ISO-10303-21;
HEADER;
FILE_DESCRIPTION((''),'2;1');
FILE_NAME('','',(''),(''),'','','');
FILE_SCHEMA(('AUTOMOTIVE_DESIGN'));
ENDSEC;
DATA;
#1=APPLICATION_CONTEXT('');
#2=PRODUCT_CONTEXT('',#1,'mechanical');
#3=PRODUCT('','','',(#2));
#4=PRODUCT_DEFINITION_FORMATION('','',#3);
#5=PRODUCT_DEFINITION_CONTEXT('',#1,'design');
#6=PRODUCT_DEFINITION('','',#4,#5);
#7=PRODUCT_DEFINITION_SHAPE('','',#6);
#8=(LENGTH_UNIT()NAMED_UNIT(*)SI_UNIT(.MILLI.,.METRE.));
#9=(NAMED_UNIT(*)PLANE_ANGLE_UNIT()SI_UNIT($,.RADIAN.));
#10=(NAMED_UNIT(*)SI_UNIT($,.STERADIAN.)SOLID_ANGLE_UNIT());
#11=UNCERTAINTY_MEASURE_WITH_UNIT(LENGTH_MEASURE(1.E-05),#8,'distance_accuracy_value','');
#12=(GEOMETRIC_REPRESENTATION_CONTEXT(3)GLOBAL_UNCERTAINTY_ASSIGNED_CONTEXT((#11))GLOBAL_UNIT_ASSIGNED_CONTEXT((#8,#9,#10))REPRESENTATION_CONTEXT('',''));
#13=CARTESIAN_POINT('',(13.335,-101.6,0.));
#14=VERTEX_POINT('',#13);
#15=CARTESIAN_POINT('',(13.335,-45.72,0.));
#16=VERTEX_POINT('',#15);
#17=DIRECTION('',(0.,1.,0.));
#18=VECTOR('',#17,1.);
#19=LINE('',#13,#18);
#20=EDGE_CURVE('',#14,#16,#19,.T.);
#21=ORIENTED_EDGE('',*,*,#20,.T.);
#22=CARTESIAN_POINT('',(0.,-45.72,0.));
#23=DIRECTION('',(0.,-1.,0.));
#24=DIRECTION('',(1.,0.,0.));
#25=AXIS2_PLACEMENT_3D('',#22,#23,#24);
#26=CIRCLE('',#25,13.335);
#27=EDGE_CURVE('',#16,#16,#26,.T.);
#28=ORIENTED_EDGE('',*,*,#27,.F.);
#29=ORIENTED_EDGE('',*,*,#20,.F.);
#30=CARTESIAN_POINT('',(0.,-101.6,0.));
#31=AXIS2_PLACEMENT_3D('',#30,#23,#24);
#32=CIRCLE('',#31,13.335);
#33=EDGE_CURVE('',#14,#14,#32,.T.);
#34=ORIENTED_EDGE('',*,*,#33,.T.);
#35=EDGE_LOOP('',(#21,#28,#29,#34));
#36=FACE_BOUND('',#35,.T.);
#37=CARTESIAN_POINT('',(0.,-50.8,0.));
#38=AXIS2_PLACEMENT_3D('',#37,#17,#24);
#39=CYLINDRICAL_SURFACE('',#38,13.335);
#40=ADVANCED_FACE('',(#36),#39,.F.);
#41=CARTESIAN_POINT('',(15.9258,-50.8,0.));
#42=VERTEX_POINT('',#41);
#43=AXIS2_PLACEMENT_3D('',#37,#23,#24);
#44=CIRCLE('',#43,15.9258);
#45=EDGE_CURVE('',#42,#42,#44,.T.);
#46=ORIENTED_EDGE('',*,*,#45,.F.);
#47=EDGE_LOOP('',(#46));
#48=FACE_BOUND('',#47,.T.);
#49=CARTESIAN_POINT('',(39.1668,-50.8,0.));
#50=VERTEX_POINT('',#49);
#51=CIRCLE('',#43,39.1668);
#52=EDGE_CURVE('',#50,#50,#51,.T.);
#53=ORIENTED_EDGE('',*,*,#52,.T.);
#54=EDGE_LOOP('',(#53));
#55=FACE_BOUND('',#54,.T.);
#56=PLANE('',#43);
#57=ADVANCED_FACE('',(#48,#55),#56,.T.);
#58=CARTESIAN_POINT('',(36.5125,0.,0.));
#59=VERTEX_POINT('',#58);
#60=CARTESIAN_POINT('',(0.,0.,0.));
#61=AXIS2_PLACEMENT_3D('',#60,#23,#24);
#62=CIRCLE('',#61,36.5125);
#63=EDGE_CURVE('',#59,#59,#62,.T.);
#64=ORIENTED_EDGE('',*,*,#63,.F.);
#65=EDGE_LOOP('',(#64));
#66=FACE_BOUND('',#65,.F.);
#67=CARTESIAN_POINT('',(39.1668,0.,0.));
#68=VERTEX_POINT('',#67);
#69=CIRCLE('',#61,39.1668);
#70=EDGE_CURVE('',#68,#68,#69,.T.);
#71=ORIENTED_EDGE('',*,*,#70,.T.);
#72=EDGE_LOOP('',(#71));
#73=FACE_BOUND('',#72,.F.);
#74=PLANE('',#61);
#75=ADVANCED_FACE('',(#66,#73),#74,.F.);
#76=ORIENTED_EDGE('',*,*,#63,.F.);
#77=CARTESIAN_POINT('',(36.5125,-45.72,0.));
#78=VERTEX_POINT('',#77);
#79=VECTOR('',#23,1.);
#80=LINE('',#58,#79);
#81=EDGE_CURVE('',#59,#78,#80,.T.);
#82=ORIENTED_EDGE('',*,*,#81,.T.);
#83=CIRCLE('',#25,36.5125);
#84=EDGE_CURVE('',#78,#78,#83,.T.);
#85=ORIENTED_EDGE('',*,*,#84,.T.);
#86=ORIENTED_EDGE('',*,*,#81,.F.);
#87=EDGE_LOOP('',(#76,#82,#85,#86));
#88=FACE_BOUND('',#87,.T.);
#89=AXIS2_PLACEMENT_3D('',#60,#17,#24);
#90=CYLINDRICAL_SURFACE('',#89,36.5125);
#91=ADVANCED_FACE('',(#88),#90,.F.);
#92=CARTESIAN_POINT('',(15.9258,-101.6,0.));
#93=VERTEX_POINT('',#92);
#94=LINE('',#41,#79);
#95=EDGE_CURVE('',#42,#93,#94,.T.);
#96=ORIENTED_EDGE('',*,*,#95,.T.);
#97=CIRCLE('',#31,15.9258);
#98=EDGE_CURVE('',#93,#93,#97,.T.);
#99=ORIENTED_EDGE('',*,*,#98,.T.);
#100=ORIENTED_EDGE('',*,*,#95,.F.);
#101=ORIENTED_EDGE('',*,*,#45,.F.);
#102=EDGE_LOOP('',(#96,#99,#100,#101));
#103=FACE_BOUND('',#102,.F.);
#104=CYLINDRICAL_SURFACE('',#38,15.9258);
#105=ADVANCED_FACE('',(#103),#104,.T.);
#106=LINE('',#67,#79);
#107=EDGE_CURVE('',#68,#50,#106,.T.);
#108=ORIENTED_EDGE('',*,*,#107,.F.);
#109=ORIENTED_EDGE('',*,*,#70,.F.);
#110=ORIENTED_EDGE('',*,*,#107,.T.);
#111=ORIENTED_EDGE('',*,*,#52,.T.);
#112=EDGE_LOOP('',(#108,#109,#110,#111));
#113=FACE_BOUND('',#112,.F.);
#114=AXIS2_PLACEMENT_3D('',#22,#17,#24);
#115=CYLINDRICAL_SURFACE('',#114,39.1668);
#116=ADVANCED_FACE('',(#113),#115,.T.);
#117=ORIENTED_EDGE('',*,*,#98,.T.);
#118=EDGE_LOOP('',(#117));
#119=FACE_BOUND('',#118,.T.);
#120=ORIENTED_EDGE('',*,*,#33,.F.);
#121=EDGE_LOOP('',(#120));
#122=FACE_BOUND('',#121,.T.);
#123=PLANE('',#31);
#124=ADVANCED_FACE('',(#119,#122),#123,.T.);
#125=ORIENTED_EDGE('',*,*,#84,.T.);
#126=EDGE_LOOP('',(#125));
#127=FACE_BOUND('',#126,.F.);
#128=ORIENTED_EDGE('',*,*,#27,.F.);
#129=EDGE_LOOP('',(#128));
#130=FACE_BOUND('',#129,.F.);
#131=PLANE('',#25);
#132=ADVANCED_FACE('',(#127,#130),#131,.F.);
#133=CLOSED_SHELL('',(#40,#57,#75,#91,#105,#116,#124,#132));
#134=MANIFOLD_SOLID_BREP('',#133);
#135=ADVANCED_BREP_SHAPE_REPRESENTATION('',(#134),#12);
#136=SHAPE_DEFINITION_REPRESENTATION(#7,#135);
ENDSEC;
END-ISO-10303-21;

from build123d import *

# Parameters (mm, degrees)
F0_R     = 39.1668
F0_R_2   = 36.5125
F1_DEPTH = 45.72
F3_R     = 39.1668
F3_R_2   = 13.335
F4_DEPTH = 5.08
F6_R     = 15.9258
F6_R_2   = 13.335
F7_DEPTH = 50.8


with BuildPart() as f1:
    # F0 (on Front) → F1 (new body)
    with BuildSketch(Plane.XZ):
        Circle(F0_R)
        Circle(F0_R_2, mode=Mode.SUBTRACT)
    extrude(amount=F1_DEPTH)

    # F3 (on offset) → F4 (join)
    with BuildSketch(Plane.XZ.offset(45.72)):
        Circle(F3_R)
        Circle(F3_R_2, mode=Mode.SUBTRACT)
    extrude(amount=F4_DEPTH)

    # F6 (on offset) → F7 (join)
    with BuildSketch(Plane.XZ.offset(50.8)):
        Circle(F6_R)
        Circle(F6_R_2, mode=Mode.SUBTRACT)
    extrude(amount=F7_DEPTH)


solid = f1.part
